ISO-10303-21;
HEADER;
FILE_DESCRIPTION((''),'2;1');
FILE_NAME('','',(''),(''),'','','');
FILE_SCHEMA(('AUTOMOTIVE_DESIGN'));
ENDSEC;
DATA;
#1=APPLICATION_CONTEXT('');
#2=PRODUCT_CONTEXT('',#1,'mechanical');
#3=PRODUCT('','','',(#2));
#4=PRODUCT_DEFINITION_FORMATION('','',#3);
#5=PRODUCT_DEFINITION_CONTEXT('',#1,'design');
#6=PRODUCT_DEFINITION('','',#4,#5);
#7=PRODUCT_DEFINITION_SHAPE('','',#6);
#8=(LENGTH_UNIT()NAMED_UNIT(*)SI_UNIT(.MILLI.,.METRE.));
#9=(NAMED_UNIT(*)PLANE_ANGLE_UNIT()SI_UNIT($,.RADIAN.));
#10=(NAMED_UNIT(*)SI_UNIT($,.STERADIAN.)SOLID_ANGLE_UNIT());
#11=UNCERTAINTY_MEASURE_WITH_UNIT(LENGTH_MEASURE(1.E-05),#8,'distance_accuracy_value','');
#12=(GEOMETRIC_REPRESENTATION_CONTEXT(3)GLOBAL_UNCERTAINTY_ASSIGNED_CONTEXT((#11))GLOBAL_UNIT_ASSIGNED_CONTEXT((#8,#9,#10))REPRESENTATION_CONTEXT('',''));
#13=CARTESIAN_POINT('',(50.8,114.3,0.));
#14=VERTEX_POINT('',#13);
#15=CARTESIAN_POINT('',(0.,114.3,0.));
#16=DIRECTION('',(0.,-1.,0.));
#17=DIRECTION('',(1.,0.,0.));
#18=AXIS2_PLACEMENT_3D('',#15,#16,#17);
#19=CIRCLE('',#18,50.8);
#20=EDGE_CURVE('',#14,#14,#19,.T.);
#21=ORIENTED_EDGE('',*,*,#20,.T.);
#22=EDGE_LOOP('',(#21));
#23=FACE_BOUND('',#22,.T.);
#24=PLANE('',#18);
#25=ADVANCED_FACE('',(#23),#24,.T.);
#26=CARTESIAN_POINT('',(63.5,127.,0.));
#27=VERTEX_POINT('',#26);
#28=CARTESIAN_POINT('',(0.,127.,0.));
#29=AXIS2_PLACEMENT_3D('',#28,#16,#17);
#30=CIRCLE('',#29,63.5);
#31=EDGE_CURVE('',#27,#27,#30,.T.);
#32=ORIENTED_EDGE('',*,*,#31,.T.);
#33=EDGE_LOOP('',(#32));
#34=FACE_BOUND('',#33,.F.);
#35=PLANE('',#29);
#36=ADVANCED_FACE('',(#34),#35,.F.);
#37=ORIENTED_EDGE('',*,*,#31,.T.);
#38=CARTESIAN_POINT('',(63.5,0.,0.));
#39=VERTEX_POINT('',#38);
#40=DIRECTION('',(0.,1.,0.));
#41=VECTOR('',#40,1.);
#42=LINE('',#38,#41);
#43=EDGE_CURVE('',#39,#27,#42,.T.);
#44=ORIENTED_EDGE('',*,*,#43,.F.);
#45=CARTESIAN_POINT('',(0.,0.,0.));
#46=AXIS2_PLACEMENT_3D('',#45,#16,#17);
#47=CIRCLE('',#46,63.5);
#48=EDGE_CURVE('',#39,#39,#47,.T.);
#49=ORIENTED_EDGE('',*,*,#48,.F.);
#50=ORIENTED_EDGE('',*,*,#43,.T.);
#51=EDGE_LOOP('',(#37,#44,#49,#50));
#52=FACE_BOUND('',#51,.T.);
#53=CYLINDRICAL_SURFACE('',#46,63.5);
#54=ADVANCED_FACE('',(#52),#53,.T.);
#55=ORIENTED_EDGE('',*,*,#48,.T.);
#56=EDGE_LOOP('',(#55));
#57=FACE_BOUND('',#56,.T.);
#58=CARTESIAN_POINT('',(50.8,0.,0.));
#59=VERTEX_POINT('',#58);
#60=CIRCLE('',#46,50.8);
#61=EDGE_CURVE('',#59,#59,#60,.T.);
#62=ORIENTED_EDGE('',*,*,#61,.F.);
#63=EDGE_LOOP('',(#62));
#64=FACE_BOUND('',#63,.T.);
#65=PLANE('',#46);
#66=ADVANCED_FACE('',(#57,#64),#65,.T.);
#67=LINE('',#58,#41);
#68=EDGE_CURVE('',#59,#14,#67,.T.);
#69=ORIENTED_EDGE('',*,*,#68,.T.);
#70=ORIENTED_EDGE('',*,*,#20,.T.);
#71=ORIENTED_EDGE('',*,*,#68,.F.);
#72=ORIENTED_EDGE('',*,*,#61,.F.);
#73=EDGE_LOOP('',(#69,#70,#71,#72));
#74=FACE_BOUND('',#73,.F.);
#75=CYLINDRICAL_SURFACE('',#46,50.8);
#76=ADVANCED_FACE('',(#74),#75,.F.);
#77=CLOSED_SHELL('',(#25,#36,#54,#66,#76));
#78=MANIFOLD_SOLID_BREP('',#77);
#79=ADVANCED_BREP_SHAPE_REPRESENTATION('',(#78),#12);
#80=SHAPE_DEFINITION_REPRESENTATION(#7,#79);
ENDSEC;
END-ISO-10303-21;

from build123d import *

# Parameters (mm, degrees)
F0_R     = 63.5
F0_R_2   = 50.8
F1_DEPTH = 127
F2_DEPTH = 114.3


with BuildPart() as f1:
    # F0 (on Front) → F1 (new body)
    with BuildSketch(Plane.XZ):
        Circle(F0_R)
        Circle(F0_R_2, mode=Mode.SUBTRACT)
        Circle(F0_R_2)
    extrude(amount=-F1_DEPTH)

    # F0 (on Front) → F2 (cut)
    with BuildSketch(Plane.XZ):
        Circle(F0_R_2)
    extrude(amount=-F2_DEPTH, mode=Mode.SUBTRACT)


solid = f1.part
